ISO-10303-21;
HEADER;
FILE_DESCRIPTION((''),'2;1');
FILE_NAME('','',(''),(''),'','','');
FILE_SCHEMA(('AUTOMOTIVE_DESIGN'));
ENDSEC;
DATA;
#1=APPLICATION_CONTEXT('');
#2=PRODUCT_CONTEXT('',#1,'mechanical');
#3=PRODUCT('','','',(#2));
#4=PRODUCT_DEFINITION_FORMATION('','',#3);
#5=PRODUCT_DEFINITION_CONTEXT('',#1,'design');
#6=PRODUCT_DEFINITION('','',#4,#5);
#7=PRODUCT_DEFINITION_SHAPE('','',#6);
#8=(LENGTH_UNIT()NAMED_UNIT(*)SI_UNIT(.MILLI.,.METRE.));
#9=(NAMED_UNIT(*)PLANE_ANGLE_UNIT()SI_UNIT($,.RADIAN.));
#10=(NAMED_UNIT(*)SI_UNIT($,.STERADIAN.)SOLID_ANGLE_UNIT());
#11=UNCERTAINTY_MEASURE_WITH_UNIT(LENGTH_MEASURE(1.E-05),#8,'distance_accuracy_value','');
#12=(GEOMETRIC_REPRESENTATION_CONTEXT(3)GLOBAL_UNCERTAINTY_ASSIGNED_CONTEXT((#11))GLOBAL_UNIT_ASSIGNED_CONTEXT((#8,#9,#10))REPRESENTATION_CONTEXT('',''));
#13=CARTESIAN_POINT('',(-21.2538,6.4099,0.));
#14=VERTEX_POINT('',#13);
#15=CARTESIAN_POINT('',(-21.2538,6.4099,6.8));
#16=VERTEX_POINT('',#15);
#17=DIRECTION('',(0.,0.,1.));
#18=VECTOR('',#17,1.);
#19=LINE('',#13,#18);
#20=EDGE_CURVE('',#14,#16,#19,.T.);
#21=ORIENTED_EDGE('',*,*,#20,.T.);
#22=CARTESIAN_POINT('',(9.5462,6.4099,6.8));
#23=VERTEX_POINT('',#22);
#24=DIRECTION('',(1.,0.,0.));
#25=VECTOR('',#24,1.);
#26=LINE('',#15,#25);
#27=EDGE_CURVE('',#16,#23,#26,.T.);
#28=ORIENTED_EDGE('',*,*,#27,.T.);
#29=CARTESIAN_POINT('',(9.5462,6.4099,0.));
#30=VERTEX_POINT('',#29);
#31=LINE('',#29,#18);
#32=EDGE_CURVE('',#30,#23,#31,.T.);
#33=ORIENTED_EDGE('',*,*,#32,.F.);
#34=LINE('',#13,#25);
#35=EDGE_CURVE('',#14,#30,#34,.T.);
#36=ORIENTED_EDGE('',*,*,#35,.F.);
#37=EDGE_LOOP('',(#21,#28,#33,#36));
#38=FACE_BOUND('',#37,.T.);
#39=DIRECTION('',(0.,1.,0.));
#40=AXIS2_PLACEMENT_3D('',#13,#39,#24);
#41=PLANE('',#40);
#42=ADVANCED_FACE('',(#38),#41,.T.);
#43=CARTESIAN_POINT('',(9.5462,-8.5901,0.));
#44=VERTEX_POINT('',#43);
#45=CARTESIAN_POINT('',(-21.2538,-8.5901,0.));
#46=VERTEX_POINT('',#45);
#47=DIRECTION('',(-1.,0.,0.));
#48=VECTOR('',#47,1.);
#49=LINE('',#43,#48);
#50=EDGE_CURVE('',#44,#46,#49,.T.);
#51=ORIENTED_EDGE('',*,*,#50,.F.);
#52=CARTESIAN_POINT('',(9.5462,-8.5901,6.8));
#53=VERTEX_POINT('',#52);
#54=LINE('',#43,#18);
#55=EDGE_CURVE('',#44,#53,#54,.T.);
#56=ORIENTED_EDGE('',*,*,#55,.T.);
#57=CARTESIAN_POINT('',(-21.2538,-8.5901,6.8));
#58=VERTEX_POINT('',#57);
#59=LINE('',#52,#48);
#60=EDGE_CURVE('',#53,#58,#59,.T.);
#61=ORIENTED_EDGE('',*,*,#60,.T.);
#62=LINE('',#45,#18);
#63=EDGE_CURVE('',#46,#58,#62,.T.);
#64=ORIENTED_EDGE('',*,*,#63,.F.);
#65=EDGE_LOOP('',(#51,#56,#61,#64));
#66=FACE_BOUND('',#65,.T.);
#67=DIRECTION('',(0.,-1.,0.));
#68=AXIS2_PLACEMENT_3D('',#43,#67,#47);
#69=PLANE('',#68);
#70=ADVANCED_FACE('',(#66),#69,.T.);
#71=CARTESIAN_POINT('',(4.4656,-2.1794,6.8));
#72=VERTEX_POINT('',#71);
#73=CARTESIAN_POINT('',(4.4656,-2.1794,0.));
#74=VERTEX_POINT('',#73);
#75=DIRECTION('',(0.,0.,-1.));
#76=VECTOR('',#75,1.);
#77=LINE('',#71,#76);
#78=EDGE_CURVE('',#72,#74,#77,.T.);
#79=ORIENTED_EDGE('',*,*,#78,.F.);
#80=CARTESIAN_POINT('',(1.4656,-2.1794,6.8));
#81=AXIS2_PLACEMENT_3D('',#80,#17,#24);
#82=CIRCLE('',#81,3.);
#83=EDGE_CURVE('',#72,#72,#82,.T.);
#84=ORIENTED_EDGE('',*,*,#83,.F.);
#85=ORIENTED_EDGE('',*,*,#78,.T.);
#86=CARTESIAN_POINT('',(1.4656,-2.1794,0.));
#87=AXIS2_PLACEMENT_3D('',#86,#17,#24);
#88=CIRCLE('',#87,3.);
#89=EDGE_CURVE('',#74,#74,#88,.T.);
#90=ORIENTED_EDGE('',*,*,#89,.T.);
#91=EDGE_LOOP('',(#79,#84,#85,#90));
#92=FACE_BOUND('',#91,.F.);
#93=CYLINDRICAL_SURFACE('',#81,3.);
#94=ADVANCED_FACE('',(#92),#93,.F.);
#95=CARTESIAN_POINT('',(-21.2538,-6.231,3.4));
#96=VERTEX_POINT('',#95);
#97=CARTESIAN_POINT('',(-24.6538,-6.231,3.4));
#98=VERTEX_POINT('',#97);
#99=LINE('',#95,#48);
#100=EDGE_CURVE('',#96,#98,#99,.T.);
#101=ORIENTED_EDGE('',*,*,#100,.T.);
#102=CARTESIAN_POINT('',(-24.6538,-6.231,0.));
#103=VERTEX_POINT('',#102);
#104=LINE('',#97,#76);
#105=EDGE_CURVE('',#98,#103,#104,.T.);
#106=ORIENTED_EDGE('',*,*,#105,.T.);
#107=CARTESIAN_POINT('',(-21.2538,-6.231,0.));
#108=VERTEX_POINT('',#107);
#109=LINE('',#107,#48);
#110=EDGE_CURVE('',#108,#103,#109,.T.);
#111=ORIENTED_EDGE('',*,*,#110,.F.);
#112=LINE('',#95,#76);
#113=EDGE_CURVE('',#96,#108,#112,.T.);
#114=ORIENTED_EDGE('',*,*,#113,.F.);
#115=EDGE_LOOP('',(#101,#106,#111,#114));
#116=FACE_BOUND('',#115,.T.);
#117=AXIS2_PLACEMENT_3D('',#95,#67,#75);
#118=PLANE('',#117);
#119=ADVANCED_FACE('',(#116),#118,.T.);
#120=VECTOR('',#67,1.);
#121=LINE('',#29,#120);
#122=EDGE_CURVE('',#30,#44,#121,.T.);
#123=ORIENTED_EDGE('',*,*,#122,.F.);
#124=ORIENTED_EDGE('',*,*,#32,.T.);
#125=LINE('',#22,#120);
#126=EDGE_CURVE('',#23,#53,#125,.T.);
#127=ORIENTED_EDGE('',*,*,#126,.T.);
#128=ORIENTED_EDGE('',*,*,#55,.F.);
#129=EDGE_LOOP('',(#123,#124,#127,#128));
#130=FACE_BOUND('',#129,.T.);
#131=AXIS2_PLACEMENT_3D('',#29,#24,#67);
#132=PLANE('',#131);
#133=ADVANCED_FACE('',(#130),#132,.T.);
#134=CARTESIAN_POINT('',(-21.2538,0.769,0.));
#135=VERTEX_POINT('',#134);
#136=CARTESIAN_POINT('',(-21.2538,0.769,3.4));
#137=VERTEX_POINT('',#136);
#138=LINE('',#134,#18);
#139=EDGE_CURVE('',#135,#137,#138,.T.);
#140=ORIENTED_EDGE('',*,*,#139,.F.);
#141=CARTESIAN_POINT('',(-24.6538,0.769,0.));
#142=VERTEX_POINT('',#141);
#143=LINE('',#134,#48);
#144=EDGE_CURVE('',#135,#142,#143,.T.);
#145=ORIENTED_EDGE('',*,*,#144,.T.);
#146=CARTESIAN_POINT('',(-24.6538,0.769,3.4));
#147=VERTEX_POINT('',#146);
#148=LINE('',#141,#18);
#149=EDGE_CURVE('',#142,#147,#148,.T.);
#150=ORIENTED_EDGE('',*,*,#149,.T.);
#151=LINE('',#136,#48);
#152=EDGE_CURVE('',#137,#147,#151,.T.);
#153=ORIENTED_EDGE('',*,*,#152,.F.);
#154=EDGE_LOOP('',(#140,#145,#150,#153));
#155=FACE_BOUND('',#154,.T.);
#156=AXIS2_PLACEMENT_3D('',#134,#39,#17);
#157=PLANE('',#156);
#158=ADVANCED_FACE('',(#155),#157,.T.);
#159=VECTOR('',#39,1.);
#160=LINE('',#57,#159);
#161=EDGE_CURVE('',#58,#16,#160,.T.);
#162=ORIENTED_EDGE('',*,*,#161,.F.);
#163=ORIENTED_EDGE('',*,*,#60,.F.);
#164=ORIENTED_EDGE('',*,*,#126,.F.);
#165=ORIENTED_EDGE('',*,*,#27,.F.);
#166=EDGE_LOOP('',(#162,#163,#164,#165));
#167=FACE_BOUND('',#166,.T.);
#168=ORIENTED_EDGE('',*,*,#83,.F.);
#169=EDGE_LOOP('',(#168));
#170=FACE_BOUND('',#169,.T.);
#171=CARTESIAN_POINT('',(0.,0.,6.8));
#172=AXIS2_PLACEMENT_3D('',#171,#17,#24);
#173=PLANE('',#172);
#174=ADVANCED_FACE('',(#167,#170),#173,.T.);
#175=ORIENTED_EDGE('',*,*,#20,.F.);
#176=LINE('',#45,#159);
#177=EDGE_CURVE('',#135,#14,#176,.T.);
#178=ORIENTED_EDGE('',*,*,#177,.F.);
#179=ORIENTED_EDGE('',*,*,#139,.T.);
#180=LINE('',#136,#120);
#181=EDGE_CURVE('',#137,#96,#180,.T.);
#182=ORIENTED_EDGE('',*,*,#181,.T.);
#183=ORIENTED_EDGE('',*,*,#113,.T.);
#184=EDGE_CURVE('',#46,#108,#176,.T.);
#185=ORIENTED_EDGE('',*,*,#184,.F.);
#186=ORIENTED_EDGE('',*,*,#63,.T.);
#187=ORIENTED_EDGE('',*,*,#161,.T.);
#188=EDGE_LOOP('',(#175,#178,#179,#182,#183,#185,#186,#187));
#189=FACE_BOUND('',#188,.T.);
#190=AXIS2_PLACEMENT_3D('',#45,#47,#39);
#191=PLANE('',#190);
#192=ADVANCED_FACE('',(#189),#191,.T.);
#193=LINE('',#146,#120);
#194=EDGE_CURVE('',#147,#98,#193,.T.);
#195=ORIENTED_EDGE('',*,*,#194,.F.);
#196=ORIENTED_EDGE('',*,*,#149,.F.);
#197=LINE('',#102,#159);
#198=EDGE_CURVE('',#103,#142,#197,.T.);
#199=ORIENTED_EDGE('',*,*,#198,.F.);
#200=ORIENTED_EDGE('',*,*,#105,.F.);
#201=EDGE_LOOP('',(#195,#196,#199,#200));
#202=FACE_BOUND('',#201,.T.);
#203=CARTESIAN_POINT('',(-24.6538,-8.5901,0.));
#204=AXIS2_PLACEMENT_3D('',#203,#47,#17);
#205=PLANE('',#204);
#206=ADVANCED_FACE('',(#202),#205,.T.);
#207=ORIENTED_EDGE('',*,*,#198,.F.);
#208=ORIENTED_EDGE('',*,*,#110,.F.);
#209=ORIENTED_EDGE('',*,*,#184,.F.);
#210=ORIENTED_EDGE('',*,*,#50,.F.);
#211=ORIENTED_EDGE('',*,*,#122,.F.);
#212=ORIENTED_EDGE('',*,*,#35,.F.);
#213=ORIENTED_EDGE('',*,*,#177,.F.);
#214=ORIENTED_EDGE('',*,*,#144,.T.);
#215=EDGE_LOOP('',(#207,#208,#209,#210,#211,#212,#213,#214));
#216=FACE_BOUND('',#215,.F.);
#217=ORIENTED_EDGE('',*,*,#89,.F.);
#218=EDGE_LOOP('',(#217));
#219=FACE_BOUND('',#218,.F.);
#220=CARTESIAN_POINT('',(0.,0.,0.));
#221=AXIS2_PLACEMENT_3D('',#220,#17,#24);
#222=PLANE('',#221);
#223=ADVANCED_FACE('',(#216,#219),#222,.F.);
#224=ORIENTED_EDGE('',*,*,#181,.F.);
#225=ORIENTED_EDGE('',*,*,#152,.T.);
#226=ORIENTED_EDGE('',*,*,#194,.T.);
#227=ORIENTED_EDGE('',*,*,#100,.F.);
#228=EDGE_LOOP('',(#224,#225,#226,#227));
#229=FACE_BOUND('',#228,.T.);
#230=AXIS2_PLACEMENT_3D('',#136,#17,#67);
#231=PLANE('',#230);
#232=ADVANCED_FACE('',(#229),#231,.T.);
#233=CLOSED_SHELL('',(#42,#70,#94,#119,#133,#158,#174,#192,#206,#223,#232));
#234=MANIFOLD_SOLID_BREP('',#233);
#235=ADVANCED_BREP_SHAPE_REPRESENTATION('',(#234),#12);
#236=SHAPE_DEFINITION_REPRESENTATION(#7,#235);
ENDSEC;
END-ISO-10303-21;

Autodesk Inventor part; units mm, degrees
ref_plane "YZ Plane" through (0, 0, 0) normal (1, 0, 0) x (0, 1, 0)
ref_plane "XZ Plane" through (0, 0, 0) normal (0, 1, 0) x (-1, 0, 0)
ref_plane "XY Plane" through (0, 0, 0) normal (0, 0, 1) x (1, 0, 0)
sketch "Sketch1" plane through (0, 0, 0) normal (0, 0, 1) x (1, 0, 0)
  line L0 (-21.2538, 6.4099) -> (9.5462, 6.4099)
  line L1 (9.5462, 6.4099) -> (9.5462, -8.5901)
  line L2 (9.5462, -8.5901) -> (-21.2538, -8.5901)
  line L3 (-21.2538, -8.5901) -> (-21.2538, 6.4099)
  line L4 (1.0462, -38.9134) -> (26.8462, -38.9134)
  line L5 (-4.9538, -50.9134) -> (0.0462, -50.9134)
  point P0 (0, 0)
  dimension "d0" = 30.8
  dimension "d1" = 15
  dimension "d8" = 25.8
  dimension "d9" = 5
extrude "Extrusion1" add sketch "Sketch1" along normal blind 6.8
sketch "Sketch2" plane through (0, 0, 6.8) normal (0, 0, 1) x (1, 0, 0)
  circle A0 centre (1.4656, -2.1794) radius 3 projected
  circle A1 centre (1.4656, -2.1794) radius 3
  point P0 (0, 0)
extrude "Extrusion2" cut sketch "Sketch2" against normal blind 14
sketch "Sketch3" plane through (0, 0, 0) normal (0, 0, -1) x (-1, 0, 0)
  line L0 (5.4538, -4.4054) -> (8.8538, -4.4054) projected
  line L1 (5.4538, 2.5946) -> (8.8538, 2.5946) projected
  line L2 (8.8538, 84.2919) -> (8.8538, -65.7081) projected
  line L3 (5.4538, -4.4054) -> (8.8538, -4.4054)
  line L4 (8.8538, -4.4054) -> (8.8538, 2.5946)
  line L5 (8.8538, 2.5946) -> (5.4538, 2.5946)
  line L6 (5.4538, 2.5946) -> (5.4538, -4.4054)
  point P0 (0, 0)
extrude "Extrusion3" add sketch "Sketch3" against normal blind 3.4
sketch "Sketch4" plane through (-21.2538, -8.5901, 0) normal (-1, 0, 0) x (0, 0, 1)
  line L0 (3.4, 2.3591) -> (0, 2.3591)
  line L1 (3.4, 9.3591) -> (3.4, 2.3591)
  line L2 (3.4, 2.3591) -> (0, 2.3591)
  line L3 (0, 2.3591) -> (0, 9.3591)
  line L4 (0, 9.3591) -> (3.4, 9.3591)
  line L5 (3.4, 9.3591) -> (3.4, 2.3591)
  point P0 (0, 8.5901)
extrude "Extrusion4" add sketch "Sketch4" along normal blind 3.4
equation "\"d0\" = d8 + d9"
properties part number "Fixer"
